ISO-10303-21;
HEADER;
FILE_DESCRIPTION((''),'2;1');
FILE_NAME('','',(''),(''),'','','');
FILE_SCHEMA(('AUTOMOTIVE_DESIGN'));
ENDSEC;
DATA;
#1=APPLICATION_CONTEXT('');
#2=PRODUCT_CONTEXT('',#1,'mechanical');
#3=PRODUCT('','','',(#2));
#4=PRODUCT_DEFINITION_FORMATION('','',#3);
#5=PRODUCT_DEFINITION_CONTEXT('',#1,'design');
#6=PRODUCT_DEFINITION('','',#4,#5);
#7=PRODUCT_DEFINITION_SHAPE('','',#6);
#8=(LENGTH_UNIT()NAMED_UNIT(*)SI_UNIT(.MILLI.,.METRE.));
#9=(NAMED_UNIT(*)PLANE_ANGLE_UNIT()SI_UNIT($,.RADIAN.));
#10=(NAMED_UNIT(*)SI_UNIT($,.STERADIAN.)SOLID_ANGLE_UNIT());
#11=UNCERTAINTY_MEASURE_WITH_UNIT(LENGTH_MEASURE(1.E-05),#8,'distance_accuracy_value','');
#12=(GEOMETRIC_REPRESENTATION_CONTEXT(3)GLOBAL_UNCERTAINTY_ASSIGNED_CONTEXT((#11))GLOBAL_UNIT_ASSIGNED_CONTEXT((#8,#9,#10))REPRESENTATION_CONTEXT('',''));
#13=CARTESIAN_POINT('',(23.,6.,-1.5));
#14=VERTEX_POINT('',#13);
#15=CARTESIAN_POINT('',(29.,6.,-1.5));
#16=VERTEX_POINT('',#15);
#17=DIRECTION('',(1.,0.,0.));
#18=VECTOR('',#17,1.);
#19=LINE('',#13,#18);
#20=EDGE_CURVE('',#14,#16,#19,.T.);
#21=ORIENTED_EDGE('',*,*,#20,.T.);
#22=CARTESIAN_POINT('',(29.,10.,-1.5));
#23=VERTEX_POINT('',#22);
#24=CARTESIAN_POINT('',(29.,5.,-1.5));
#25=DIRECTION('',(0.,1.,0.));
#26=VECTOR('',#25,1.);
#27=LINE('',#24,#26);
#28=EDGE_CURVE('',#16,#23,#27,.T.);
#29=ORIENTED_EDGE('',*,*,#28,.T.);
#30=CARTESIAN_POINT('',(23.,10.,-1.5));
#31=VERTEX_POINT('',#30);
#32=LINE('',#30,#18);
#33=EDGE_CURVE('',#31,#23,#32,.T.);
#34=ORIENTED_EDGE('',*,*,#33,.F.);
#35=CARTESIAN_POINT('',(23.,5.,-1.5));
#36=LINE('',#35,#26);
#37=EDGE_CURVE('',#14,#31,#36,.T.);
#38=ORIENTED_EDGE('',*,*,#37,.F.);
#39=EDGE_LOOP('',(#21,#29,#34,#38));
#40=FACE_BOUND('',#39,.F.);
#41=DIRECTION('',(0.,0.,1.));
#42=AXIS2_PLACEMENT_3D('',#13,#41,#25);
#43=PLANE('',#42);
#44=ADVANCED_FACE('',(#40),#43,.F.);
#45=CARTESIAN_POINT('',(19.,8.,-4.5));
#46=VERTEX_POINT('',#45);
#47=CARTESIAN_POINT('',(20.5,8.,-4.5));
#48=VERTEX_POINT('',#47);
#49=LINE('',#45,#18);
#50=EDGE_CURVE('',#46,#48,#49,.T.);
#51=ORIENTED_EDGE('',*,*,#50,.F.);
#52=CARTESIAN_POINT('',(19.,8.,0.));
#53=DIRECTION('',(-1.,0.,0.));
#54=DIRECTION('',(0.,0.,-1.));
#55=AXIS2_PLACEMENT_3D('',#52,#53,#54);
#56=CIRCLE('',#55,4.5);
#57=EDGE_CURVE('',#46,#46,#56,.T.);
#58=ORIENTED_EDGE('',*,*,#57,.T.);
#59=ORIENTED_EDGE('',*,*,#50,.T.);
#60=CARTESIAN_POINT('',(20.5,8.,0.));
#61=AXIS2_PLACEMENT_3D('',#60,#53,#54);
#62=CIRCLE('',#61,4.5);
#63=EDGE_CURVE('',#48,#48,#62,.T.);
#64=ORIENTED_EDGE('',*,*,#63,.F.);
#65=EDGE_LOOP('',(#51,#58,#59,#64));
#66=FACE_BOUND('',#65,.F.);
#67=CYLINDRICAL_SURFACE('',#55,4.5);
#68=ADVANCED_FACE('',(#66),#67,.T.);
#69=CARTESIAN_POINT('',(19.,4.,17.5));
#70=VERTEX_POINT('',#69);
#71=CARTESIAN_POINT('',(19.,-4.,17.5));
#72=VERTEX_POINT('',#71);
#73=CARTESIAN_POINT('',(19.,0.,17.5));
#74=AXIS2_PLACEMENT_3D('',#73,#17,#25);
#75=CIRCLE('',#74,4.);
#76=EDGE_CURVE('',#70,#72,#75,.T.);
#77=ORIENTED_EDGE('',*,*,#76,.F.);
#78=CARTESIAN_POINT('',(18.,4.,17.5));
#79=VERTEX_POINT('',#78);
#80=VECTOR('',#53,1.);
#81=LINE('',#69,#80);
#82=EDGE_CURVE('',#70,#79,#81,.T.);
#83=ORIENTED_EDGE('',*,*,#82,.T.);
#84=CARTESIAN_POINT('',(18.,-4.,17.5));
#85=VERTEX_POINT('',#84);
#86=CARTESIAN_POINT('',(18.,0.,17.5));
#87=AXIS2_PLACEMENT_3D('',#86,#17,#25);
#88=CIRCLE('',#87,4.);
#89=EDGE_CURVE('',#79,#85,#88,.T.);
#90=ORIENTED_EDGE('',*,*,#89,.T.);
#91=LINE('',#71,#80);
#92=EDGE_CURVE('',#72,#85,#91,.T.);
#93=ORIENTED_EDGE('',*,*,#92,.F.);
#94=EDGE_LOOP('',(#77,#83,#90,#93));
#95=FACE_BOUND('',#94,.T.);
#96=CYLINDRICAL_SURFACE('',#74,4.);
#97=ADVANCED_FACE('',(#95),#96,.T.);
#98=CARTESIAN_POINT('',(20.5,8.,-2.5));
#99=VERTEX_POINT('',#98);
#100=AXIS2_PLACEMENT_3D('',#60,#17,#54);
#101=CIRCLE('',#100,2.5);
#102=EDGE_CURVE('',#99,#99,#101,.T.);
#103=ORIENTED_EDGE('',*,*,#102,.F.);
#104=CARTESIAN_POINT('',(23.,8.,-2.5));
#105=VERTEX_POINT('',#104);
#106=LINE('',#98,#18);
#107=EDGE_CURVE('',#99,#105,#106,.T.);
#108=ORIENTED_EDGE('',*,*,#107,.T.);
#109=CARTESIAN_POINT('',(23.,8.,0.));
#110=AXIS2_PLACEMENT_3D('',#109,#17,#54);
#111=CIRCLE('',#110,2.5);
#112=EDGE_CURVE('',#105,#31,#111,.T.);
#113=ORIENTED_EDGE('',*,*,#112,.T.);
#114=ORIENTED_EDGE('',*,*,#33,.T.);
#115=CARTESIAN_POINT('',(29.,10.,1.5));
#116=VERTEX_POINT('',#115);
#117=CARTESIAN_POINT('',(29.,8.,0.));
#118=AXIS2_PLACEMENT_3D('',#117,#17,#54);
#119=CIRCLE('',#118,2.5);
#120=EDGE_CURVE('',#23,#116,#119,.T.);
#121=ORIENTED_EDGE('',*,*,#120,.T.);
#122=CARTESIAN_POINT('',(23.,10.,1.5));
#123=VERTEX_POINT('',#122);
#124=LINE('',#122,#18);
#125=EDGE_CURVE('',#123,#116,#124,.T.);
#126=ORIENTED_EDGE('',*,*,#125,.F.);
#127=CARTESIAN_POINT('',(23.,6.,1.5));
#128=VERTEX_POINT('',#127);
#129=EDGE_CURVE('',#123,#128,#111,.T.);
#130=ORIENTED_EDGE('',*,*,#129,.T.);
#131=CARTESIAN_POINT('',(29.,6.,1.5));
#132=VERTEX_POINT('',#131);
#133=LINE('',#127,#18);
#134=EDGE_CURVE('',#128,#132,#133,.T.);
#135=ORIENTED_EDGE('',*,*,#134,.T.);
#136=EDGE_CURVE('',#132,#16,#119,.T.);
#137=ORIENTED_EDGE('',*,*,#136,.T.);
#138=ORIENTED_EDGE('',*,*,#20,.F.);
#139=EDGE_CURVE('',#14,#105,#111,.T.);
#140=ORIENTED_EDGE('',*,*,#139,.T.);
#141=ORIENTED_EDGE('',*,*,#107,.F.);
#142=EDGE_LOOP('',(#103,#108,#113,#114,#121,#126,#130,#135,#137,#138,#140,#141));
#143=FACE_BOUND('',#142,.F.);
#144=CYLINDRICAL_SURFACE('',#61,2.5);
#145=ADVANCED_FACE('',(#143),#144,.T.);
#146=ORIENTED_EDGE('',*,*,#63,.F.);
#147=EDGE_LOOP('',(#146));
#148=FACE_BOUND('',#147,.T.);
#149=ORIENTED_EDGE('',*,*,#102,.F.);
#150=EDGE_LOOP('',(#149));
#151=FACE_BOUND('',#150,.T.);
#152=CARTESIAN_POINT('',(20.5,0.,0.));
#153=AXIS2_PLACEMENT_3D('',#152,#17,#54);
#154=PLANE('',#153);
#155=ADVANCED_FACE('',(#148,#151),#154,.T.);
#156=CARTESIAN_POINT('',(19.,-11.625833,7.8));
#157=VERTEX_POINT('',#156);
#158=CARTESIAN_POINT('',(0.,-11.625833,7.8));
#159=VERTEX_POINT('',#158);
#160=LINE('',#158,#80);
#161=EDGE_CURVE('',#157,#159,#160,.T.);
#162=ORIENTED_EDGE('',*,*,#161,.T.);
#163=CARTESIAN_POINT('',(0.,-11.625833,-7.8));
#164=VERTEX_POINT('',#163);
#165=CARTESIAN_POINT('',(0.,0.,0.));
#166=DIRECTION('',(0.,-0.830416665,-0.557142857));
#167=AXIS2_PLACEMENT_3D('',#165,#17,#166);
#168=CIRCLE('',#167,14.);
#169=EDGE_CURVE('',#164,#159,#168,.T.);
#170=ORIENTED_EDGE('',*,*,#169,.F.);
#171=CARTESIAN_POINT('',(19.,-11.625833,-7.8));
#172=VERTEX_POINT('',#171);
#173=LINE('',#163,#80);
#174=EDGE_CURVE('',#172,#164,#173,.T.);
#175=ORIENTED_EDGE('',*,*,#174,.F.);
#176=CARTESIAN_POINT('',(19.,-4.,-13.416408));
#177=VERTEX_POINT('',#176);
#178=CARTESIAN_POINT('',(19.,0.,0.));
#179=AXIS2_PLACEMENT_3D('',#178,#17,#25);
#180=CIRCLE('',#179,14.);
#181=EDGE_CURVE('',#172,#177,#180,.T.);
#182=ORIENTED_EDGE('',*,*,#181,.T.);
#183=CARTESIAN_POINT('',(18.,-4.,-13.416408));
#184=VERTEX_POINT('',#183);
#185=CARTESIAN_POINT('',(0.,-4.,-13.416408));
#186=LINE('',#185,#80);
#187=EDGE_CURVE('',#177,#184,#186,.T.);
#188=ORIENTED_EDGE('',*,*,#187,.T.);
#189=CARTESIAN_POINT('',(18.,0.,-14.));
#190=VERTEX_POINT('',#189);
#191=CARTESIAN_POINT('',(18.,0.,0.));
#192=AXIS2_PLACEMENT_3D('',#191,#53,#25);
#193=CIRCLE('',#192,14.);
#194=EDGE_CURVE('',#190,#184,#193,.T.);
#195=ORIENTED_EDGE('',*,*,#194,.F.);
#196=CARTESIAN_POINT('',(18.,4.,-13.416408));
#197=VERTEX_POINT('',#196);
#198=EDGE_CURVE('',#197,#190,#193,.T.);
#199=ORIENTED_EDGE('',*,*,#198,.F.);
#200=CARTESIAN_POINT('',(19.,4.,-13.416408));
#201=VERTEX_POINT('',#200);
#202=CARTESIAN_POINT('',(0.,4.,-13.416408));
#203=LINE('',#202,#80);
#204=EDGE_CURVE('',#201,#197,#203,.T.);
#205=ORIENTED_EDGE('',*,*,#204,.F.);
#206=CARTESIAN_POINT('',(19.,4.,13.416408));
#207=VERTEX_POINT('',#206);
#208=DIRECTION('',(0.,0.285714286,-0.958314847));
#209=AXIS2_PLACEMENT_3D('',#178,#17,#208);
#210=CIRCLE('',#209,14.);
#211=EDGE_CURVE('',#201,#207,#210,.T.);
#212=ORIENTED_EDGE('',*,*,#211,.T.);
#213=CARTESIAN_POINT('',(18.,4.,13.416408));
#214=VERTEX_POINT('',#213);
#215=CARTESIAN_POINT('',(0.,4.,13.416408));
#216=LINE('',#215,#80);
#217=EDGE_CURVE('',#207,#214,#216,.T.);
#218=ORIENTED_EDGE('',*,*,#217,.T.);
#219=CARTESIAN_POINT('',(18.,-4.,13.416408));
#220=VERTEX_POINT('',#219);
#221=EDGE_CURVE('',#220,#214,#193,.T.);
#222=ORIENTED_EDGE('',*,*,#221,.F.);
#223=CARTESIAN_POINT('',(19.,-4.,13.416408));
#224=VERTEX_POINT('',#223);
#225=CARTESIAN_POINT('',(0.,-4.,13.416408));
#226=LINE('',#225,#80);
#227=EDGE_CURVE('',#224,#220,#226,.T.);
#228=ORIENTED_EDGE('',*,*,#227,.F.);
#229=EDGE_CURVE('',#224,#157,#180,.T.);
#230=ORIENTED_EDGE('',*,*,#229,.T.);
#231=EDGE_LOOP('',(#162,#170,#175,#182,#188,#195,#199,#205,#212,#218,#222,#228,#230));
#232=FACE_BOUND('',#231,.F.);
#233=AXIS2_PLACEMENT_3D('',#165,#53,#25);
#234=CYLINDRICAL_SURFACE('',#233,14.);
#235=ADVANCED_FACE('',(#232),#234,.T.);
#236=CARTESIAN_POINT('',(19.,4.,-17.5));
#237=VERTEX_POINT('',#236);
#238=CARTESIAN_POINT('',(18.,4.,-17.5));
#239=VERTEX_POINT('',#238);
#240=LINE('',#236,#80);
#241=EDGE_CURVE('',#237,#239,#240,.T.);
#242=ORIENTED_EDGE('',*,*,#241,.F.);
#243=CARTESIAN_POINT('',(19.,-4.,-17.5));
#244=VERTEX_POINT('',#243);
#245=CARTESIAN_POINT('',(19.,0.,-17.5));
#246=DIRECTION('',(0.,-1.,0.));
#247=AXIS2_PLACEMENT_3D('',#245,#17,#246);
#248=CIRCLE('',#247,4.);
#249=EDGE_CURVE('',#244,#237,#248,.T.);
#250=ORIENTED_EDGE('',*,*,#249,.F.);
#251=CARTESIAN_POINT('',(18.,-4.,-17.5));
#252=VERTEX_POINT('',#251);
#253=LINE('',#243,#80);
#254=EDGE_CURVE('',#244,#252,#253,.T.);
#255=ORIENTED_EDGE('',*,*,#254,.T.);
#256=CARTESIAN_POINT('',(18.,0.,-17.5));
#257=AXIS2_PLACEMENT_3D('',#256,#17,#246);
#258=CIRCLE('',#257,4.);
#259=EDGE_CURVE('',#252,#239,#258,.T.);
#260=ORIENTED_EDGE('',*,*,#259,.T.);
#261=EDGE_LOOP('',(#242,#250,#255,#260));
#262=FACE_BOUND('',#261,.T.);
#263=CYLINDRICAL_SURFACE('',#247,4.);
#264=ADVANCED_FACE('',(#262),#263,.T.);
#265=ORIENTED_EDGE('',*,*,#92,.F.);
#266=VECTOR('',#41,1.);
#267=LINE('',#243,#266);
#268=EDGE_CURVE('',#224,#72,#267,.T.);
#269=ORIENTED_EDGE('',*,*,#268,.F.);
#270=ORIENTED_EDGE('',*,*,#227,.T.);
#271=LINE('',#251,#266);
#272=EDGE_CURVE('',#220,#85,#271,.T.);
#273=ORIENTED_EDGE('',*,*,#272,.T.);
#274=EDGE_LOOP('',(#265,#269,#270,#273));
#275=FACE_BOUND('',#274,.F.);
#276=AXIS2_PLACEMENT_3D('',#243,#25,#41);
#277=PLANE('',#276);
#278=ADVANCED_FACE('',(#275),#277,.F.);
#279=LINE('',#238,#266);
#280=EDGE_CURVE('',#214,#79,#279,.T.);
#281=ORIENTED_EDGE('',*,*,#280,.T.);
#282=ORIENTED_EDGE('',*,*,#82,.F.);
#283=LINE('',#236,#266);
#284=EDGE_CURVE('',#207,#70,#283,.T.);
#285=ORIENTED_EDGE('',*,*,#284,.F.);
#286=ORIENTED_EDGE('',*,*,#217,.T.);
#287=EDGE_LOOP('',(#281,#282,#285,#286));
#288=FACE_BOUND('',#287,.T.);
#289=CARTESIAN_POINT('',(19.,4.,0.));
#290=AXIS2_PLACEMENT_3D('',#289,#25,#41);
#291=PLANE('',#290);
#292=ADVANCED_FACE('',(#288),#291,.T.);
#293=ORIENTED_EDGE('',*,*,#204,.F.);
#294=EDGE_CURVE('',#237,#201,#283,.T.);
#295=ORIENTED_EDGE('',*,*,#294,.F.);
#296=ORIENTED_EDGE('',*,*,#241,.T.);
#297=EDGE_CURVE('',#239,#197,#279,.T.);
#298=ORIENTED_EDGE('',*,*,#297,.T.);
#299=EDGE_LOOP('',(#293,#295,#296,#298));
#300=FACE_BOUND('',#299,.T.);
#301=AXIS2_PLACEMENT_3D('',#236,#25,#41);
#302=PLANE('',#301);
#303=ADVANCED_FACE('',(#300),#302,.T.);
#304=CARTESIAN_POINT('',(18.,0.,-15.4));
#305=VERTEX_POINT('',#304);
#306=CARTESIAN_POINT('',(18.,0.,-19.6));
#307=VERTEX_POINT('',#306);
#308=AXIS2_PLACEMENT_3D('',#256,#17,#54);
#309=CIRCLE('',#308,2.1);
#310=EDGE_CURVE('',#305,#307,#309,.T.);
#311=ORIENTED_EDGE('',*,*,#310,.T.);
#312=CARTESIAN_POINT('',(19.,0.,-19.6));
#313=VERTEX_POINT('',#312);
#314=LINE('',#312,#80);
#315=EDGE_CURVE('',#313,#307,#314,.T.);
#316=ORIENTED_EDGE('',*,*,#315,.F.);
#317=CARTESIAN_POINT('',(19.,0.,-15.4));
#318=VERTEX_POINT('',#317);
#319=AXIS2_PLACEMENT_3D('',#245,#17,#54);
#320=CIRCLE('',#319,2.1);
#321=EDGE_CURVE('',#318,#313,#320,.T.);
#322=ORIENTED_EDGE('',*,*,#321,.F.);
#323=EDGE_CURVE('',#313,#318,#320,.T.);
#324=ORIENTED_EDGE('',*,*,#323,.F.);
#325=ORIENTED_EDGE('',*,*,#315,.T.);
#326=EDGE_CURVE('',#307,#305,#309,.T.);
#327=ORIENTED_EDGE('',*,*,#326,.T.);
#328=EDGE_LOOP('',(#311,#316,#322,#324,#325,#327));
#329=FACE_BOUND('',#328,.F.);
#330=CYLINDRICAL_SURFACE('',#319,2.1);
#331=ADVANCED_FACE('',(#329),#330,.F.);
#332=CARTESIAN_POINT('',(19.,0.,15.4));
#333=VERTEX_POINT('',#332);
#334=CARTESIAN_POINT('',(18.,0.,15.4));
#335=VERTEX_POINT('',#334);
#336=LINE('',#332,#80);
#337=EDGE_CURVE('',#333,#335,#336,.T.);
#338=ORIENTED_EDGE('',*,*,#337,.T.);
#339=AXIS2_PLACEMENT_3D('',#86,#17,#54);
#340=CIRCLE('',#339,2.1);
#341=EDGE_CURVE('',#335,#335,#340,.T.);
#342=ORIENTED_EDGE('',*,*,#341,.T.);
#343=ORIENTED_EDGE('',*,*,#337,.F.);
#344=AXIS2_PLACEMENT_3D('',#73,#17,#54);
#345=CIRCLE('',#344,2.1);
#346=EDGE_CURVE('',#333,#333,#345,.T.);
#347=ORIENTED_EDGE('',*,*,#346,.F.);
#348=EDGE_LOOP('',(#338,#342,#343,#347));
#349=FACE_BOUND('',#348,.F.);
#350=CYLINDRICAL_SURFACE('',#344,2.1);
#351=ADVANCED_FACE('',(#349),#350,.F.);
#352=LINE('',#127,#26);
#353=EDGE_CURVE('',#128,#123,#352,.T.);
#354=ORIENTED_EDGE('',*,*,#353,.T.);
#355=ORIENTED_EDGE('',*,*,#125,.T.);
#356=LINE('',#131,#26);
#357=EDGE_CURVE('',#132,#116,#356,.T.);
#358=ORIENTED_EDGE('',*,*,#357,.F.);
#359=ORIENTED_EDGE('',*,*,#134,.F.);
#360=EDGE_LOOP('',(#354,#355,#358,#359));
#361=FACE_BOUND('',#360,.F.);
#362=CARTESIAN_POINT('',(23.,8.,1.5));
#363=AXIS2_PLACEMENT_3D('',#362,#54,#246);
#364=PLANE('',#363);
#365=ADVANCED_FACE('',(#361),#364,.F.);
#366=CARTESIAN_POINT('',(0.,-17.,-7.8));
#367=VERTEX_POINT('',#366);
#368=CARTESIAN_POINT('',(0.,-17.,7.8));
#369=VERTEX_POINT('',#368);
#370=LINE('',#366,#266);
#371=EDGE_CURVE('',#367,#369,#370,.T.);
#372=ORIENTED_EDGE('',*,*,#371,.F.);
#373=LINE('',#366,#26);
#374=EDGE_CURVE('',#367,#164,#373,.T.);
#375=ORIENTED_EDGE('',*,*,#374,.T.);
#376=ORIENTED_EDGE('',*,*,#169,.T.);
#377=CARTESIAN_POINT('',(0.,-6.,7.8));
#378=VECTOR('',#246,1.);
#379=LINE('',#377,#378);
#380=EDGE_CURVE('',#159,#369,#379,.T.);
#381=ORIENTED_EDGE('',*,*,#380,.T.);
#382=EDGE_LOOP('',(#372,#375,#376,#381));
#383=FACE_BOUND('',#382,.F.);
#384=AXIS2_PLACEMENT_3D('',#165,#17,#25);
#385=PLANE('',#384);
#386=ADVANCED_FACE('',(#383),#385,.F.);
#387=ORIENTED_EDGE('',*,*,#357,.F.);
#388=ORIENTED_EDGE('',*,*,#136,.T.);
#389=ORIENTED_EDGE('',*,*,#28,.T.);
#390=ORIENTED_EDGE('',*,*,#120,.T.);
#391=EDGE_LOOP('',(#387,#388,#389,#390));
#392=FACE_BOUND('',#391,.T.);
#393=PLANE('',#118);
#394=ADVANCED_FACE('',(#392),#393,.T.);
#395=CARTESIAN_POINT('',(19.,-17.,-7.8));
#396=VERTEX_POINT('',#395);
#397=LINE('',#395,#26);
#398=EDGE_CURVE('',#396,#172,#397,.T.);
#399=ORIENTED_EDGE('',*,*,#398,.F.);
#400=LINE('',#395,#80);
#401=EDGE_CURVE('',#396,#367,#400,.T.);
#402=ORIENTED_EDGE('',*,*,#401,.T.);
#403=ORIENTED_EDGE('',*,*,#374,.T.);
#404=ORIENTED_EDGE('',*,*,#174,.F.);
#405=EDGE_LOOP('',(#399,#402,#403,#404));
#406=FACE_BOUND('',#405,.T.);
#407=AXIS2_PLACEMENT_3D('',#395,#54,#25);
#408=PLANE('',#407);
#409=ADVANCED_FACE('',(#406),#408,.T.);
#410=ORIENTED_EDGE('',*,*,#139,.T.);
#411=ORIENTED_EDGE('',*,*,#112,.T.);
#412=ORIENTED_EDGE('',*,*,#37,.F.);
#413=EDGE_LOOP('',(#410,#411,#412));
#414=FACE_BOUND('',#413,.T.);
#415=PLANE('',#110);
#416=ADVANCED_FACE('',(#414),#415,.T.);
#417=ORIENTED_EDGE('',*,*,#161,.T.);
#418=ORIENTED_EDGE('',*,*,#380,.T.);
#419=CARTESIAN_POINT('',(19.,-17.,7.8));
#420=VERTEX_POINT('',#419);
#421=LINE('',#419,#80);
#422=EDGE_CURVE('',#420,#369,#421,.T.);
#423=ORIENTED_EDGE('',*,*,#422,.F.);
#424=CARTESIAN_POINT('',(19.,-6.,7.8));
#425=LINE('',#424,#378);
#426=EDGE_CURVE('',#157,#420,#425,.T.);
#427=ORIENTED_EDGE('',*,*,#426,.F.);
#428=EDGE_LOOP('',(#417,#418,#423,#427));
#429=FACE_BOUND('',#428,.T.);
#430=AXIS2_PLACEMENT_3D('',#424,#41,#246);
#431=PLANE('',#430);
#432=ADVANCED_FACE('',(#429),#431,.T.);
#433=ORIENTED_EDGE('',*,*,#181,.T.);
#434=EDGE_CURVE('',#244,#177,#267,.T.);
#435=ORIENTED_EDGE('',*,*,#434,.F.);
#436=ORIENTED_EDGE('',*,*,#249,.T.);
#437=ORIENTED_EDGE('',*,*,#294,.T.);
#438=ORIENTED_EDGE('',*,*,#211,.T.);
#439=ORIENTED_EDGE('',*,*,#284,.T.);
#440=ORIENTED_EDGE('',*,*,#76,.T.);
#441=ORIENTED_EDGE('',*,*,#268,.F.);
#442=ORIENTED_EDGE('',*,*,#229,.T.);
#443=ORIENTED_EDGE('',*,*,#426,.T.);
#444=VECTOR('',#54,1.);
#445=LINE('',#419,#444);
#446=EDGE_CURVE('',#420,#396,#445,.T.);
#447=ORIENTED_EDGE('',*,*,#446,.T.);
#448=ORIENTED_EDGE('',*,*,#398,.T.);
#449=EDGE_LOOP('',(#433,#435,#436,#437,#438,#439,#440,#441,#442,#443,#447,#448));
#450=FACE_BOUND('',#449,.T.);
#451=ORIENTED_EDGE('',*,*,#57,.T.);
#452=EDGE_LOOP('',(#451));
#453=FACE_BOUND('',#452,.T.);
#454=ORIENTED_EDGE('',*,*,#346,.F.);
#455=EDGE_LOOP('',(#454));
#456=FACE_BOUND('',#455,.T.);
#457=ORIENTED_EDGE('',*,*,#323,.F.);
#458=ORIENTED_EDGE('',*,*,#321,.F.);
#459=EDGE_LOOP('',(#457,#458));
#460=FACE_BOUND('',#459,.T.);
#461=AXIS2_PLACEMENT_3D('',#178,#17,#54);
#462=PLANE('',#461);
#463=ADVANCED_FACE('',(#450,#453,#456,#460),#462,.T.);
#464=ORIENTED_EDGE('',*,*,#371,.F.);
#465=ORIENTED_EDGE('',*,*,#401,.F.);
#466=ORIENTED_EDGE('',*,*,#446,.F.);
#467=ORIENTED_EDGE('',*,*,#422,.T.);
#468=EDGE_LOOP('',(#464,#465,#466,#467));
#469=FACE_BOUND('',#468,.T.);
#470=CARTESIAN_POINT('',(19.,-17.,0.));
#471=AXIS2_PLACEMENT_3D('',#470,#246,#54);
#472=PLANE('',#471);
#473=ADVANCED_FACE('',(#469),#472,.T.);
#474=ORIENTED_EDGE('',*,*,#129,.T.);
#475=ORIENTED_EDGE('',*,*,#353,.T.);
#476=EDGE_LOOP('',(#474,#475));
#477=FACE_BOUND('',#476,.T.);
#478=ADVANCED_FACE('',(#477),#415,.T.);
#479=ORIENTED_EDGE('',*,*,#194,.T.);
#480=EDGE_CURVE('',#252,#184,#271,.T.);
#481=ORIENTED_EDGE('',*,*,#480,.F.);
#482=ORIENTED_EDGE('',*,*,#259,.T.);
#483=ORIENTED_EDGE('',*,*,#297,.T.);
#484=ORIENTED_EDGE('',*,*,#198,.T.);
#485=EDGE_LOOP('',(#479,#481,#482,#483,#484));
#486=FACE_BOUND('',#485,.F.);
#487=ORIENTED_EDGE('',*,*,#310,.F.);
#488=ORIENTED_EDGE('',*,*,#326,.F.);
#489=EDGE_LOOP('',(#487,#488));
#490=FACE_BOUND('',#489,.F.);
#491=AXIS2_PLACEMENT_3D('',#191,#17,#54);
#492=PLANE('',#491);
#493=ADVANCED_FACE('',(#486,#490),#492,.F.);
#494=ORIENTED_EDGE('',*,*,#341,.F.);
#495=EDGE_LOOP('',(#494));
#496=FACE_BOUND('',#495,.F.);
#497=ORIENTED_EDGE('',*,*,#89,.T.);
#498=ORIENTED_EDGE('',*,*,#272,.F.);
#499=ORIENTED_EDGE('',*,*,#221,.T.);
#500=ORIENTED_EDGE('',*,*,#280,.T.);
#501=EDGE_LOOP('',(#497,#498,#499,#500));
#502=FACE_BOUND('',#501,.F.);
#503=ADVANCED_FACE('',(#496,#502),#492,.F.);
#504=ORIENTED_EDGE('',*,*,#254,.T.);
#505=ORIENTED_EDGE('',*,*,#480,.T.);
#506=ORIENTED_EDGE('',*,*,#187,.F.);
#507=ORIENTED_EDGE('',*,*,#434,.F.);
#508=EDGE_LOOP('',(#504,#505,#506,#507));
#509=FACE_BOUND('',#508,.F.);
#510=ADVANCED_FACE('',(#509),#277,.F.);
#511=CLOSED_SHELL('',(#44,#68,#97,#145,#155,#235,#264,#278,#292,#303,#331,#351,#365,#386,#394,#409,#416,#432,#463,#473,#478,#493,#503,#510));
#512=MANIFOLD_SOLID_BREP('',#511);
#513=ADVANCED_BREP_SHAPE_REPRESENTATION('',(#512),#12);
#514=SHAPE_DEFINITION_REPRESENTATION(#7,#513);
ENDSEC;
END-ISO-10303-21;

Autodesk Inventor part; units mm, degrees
ref_plane "YZ Plane" through (0, 0, 0) normal (1, 0, 0) x (0, 1, 0)
ref_plane "XZ Plane" through (0, 0, 0) normal (0, 1, 0) x (-1, 0, 0)
ref_plane "XY Plane" through (0, 0, 0) normal (0, 0, 1) x (1, 0, 0)
sketch "Boceto1" plane through (0, 0, 0) normal (1, 0, 0) x (0, 1, 0)
  circle A0 centre (0, 0) radius 14
  dimension "d0" = 28
extrude "Extrusión1" add sketch "Boceto1" along normal blind 19
sketch "Boceto2" plane through (19, 0, 0) normal (1, 0, 0) x (0, 0, -1)
  line L0 (0, 0) -> (0, 8)
  circle A0 centre (0, 8) radius 4.5
  dimension "d3" = 8
  dimension "d4" = 9
extrude "Extrusión2" add sketch "Boceto2" along normal blind 1.5
sketch "Boceto3" plane through (20.5, 8, 0) normal (1, 0, 0) x (0, 0, -1)
  circle A0 centre (0, 0) radius 2.5
  point P0 (0, -8)
  dimension "d7" = 5
extrude "Extrusión3" add sketch "Boceto3" along normal blind 2.5
sketch "Boceto4" plane through (23, 8, 0) normal (1, 0, 0) x (0, 0, -1)
  line L0 (0, 0) -> (-1.5, 0)
  line L1 (-1.5, 0) -> (-1.5, 3)
  line L2 (-1.5, 3) -> (-1.5, -3)
  line L3 (-1.5, -3) -> (1.5, -3)
  line L4 (1.5, -3) -> (1.5, 2.8642)
  circle A0 centre (0, 0) radius 2.5 projected
  point P0 (0, -8)
  point P1 (1.5, 2)
  point P2 (-1.5, 2)
  point P3 (-1.5, -2)
  point P4 (1.5, -2)
  dimension "d10" = 1.5
  dimension "d11" = 3
extrude "Extrusión4" add sketch "Boceto4" along normal blind 6 contours L1 A0 L4 L2
sketch "Boceto5" plane through (19, 0, 0) normal (1, 0, 0) x (0, 0, -1)
  line L0 (0, 0) -> (17.5, 0)
  circle A0 centre (17.5, 0) radius 2.1
  arc A1 (17.5, -4) -> (17.5, 4) centre (17.5, 0) ccw
  line L1 (17.5, 4) -> (-17.5, 4)
  line L2 (0, 0) -> (0, 18)
  line L3 (-15.4, 0) -> (-17.5, 0)
  circle A2 centre (-17.5, 0) radius 2.1
  arc A3 (-17.5, 4) -> (-17.5, -4) centre (-17.5, 0) ccw
  line L4 (17.5, -4) -> (-17.5, -4)
  dimension "d18" = 4.2
  dimension "d14" = 17.5
  dimension "d15" = 4.2
  dimension "d16" = 8
  dimension "d17" = 17.5
  dimension "d19" = 8
extrude "Extrusión5" add sketch "Boceto5" against normal blind 1
sketch "Boceto6" plane through (19, 0, 0) normal (1, 0, 0) x (0, 0, -1)
  line L0 (0, 0) -> (0, -17)
  line L1 (0, -17) -> (7.8, -17)
  line L2 (0, -17) -> (-7.8, -17)
  line L3 (-7.8, -17) -> (7.8, -17)
  line L4 (7.8, -17) -> (7.8, -6)
  line L5 (7.8, -6) -> (-7.8, -6)
  line L6 (-7.8, -6) -> (-7.8, -17)
  dimension "d22" = 17
  dimension "d23" = 7.8
  dimension "d25" = 7.8
extrude "Extrusión6" add sketch "Boceto6" against normal blind 19
properties part number "MOTOR"
